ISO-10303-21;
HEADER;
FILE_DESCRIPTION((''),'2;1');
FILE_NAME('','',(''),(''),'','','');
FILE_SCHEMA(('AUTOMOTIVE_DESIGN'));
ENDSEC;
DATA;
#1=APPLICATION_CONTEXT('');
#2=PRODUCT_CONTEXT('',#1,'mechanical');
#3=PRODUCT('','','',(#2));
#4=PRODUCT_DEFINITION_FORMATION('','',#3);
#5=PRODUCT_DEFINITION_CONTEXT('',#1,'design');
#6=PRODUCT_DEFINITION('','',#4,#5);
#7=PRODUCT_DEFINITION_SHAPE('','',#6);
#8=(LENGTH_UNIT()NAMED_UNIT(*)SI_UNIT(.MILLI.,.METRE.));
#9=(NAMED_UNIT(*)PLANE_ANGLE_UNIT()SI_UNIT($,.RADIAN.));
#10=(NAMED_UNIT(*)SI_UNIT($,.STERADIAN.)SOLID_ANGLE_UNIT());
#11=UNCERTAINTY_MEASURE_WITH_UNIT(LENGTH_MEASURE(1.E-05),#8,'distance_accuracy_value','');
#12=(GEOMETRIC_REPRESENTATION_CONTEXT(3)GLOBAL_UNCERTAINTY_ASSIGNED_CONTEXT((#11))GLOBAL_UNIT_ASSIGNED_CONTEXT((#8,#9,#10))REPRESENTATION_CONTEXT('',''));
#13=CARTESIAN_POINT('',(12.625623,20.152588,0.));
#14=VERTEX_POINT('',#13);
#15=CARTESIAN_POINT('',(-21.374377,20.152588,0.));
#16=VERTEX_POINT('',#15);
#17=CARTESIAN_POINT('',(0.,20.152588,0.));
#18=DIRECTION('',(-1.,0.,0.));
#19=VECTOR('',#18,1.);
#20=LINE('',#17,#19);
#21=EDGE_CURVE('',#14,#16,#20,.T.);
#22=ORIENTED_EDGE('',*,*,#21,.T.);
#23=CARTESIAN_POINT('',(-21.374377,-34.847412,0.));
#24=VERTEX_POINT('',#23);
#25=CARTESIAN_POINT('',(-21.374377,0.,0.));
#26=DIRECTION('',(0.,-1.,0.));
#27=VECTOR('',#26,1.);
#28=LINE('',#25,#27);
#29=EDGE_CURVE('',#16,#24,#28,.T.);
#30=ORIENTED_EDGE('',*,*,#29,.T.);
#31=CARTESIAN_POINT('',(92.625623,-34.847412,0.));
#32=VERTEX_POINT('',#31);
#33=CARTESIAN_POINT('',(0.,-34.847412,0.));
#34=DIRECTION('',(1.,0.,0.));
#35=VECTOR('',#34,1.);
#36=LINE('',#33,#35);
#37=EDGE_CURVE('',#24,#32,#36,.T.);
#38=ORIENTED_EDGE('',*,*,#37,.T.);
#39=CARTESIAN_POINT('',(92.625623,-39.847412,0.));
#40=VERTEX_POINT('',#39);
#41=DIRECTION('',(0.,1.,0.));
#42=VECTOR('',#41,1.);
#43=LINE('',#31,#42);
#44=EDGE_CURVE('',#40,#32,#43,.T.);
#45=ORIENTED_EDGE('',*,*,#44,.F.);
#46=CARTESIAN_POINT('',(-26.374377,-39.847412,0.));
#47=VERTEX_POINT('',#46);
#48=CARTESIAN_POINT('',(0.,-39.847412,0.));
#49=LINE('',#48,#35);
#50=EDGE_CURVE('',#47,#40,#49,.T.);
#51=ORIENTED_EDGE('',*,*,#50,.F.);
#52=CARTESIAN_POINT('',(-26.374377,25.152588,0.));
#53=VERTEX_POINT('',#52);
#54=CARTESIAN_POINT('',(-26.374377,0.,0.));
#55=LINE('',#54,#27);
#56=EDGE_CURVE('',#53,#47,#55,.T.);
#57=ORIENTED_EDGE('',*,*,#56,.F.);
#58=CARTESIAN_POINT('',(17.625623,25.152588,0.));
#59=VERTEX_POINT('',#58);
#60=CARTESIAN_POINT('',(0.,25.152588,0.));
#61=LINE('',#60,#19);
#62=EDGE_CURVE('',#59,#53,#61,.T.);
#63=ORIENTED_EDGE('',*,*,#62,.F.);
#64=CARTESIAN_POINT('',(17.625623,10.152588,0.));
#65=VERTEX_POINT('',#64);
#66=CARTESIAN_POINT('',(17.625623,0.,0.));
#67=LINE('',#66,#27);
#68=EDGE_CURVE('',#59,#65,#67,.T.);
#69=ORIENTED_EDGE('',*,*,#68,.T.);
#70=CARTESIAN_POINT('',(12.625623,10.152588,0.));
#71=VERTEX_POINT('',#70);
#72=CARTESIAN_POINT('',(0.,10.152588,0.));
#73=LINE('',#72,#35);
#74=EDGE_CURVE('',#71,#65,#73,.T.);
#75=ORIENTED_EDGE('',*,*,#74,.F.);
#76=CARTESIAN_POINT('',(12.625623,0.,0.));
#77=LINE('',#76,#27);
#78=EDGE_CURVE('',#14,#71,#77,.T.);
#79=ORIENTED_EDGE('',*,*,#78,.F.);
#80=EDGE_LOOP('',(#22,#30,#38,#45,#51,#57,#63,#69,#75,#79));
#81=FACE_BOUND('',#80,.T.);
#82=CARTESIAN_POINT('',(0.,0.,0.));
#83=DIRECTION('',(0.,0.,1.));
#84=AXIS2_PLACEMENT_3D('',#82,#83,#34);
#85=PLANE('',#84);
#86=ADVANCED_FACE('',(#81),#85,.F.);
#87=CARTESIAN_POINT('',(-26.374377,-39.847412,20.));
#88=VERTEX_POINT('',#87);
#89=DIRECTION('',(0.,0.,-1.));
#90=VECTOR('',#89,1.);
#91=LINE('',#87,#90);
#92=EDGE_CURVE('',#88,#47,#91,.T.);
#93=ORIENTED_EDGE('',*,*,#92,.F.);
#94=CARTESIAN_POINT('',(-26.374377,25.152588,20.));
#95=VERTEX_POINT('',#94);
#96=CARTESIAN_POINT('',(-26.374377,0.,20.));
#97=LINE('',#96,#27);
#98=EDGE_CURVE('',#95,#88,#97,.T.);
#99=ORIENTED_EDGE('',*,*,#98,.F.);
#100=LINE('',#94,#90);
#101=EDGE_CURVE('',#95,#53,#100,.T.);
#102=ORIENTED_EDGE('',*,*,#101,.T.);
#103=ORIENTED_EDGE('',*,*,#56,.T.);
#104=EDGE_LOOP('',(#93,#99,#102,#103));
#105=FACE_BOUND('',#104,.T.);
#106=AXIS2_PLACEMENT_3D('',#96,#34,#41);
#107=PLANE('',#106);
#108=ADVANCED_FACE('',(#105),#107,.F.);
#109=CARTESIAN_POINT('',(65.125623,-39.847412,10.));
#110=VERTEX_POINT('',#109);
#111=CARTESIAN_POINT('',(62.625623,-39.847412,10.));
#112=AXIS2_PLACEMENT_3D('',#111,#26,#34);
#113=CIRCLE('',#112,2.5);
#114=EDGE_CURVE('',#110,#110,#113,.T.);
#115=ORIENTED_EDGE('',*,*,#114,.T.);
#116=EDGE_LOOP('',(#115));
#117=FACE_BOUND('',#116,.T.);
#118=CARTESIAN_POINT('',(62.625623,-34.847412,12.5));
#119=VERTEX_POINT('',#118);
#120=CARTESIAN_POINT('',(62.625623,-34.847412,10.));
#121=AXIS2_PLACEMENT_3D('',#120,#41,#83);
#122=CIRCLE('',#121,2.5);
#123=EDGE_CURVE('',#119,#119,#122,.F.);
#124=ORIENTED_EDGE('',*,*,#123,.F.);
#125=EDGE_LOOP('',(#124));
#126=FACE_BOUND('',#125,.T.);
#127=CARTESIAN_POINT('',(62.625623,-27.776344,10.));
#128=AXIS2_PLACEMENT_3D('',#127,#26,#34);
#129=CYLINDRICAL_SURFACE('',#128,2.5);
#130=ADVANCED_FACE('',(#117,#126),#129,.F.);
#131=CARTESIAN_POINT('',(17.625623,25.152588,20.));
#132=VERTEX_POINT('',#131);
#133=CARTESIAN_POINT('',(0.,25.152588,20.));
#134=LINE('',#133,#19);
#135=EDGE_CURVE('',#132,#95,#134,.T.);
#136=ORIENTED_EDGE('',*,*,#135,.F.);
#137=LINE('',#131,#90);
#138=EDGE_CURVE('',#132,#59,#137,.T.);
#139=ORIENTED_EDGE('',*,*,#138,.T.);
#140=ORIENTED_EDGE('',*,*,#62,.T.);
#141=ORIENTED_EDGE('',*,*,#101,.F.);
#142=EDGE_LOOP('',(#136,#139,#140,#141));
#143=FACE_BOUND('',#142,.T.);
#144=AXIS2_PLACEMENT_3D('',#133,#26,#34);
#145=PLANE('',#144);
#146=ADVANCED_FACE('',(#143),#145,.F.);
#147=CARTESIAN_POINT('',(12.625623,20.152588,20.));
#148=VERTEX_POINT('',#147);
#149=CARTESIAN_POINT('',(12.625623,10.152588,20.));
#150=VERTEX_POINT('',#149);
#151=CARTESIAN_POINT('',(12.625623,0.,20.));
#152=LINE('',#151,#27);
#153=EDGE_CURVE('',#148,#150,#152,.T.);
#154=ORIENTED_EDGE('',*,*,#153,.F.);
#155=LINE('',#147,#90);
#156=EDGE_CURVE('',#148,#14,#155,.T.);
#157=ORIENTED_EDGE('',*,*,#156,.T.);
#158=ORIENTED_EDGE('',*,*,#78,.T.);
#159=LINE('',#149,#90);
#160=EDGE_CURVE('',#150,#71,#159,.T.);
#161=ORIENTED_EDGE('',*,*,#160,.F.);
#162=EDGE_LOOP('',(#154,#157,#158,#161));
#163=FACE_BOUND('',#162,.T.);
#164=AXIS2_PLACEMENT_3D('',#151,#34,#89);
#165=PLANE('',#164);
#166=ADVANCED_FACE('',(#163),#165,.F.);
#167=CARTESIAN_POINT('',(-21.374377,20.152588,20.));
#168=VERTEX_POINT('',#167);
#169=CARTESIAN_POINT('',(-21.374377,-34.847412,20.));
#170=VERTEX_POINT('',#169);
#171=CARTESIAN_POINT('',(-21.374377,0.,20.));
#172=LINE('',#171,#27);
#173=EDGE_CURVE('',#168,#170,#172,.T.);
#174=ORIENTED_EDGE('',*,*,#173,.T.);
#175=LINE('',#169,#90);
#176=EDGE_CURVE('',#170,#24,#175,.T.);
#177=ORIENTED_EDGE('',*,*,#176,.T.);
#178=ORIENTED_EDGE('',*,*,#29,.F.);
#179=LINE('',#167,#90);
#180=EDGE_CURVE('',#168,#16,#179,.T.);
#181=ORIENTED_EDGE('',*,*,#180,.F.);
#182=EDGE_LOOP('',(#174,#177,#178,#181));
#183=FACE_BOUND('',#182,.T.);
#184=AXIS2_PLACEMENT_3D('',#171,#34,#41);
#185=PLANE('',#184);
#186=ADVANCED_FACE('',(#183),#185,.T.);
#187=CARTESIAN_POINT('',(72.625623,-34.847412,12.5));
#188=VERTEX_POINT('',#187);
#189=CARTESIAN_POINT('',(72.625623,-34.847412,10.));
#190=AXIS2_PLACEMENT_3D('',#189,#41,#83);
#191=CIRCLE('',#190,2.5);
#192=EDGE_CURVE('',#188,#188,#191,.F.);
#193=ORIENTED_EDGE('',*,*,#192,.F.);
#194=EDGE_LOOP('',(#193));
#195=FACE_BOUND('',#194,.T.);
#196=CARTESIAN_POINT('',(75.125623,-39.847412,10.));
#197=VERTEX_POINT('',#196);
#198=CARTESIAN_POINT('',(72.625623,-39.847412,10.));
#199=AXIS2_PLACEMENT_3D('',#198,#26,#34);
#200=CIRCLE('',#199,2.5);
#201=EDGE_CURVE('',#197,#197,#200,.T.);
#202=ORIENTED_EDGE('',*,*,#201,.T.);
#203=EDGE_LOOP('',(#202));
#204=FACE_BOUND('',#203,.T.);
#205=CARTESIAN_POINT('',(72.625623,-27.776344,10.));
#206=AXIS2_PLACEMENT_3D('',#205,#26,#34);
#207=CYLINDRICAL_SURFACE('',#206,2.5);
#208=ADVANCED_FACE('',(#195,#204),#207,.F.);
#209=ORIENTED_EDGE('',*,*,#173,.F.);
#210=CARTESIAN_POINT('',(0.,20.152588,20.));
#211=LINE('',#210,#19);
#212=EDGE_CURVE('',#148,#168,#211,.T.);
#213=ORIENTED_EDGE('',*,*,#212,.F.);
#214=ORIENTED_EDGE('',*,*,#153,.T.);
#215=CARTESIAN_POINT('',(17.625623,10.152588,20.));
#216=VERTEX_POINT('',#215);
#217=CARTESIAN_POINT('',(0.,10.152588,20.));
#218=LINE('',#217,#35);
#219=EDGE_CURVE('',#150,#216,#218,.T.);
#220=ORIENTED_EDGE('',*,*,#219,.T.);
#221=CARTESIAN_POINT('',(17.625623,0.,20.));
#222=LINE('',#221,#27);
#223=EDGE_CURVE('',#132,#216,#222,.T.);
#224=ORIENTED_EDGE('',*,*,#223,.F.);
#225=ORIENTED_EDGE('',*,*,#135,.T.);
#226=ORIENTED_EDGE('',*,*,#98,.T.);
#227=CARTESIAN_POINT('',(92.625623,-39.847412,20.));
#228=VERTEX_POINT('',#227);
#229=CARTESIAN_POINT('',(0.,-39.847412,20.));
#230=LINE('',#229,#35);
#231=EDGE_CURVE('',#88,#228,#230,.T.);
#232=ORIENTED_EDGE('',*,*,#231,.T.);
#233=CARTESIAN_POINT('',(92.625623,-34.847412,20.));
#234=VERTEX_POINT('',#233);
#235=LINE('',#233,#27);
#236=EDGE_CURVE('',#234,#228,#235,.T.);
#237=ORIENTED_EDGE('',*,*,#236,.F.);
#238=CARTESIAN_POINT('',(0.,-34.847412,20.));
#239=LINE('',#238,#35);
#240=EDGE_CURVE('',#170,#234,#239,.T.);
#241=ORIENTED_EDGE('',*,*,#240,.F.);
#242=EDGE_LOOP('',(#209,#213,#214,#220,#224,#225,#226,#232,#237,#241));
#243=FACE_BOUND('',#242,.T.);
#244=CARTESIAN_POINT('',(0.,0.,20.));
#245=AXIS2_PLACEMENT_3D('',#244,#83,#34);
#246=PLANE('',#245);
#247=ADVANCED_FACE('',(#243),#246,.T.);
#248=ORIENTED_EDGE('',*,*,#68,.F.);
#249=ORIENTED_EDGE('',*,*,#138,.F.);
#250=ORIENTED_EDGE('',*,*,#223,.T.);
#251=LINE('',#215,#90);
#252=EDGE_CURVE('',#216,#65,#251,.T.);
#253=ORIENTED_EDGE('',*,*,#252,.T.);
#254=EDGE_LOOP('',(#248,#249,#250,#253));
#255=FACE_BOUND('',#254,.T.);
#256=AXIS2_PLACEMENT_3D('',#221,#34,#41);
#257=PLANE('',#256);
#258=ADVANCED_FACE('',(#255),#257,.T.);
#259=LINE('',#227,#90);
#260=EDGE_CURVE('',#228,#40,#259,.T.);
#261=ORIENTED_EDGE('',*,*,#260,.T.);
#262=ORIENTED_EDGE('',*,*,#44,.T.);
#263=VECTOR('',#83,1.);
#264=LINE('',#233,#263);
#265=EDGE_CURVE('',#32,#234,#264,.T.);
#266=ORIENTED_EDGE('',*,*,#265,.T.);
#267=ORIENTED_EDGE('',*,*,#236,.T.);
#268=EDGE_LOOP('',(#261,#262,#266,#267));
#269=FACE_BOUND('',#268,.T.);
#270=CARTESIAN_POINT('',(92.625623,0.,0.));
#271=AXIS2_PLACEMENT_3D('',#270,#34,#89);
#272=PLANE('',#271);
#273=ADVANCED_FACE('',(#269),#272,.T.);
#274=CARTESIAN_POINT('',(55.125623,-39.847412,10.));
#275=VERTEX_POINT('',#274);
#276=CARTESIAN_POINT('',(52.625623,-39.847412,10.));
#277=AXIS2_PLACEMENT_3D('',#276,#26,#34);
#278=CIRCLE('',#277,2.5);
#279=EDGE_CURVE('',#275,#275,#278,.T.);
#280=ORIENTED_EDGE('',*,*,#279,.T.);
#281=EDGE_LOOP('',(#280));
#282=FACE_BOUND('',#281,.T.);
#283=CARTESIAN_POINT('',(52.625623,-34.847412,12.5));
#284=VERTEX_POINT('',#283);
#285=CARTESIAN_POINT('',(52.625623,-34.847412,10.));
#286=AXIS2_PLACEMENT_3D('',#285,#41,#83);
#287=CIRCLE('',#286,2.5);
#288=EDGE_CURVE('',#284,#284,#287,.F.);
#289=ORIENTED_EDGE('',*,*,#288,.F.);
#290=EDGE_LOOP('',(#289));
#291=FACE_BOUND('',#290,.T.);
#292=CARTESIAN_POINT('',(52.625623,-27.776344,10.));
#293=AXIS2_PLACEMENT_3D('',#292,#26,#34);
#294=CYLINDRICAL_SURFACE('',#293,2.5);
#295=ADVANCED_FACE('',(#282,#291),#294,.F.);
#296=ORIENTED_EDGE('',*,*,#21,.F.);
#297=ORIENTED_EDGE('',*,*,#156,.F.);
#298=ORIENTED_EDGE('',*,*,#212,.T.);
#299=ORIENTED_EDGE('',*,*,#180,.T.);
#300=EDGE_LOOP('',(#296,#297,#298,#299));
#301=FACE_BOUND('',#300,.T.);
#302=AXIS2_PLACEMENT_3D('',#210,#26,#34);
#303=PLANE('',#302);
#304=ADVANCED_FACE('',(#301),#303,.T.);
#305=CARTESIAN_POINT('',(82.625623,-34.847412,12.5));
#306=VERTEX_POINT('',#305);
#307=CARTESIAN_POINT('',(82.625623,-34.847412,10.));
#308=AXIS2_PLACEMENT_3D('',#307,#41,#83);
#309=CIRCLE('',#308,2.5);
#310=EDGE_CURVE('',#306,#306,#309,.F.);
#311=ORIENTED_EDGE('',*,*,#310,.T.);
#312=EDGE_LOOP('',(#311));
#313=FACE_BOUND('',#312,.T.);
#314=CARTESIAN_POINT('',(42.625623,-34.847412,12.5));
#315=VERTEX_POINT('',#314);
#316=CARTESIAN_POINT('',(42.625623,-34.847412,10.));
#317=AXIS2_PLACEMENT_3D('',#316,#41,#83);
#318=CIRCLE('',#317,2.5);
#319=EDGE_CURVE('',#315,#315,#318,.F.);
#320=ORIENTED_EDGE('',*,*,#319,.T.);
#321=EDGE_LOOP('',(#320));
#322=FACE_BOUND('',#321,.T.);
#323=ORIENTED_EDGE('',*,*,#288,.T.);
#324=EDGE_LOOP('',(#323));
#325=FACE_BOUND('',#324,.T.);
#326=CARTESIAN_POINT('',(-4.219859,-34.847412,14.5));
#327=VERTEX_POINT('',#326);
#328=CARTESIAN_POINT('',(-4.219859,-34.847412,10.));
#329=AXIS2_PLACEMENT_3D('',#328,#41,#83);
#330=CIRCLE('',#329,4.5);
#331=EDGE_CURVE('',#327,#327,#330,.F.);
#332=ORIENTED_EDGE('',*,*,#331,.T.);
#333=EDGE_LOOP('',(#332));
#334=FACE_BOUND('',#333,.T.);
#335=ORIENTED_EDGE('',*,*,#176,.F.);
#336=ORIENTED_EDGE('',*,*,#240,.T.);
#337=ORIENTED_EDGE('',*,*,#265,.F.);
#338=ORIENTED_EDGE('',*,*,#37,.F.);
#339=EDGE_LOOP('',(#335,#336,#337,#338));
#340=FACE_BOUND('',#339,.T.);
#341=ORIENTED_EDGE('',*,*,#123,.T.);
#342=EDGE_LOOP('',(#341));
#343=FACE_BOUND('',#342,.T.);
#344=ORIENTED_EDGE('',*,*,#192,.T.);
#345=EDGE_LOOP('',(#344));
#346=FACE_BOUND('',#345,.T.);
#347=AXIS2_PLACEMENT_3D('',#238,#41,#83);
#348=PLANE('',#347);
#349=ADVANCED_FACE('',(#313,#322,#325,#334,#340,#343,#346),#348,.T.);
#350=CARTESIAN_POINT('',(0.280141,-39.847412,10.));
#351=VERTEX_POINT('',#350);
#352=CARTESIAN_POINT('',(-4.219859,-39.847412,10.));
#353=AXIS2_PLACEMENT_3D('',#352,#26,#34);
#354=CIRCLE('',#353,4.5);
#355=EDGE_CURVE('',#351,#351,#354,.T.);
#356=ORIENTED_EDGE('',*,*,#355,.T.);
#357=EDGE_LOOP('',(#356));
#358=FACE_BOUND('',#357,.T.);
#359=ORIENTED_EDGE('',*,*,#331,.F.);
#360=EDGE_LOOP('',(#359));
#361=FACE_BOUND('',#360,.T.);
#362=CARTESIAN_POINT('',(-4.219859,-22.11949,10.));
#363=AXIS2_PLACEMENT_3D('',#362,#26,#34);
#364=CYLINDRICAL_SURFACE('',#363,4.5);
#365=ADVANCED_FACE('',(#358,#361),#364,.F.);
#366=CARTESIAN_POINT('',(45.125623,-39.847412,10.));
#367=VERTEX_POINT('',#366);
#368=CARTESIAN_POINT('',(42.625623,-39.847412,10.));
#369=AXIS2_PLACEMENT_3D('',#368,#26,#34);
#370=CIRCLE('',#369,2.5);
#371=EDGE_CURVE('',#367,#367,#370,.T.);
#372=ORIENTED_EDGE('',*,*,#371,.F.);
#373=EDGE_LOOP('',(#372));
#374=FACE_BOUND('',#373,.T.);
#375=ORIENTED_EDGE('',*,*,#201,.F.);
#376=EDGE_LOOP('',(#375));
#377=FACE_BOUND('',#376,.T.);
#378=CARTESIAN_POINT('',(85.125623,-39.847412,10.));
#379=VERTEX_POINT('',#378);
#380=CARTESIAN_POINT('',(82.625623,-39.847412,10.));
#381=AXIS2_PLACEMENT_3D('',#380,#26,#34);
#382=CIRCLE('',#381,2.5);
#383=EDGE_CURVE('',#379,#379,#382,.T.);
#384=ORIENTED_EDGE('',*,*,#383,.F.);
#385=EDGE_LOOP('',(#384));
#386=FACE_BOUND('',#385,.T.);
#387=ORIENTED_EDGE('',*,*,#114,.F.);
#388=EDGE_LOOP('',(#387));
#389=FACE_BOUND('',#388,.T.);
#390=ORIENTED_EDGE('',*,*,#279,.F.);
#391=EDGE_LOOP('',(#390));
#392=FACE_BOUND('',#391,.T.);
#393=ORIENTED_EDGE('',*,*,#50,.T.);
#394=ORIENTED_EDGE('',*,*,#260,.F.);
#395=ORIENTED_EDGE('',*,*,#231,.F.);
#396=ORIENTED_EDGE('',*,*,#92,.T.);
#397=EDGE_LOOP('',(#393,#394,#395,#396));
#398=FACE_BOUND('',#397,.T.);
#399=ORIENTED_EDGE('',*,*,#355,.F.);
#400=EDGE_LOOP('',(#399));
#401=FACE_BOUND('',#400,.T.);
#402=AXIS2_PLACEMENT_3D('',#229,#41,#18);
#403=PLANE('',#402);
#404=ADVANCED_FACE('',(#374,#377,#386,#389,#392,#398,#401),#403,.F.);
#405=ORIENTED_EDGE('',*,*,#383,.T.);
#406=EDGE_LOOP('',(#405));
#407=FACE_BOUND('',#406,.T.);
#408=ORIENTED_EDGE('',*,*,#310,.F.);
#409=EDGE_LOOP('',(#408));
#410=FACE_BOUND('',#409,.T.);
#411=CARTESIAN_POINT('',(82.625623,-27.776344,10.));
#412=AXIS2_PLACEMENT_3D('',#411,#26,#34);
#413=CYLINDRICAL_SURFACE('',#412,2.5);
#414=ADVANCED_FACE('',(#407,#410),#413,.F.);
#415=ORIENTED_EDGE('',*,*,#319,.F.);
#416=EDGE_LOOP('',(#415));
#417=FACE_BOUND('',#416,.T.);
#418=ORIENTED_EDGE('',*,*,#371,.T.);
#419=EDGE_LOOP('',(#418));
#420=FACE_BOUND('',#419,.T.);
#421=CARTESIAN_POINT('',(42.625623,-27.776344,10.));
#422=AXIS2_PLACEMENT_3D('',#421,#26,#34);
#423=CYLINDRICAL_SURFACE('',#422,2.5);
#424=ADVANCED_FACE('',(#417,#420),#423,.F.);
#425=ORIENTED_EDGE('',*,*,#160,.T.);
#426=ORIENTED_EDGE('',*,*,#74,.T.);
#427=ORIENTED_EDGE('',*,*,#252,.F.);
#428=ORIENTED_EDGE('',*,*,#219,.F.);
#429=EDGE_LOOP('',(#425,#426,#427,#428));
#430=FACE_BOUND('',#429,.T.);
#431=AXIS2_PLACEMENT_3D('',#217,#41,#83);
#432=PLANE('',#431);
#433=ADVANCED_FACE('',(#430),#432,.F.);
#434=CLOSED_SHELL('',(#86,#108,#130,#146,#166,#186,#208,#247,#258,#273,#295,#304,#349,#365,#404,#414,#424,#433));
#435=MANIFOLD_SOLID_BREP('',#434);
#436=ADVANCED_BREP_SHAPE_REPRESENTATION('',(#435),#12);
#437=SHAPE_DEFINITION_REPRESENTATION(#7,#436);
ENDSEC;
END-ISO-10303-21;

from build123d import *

# Parameters (mm, degrees)
ESQUISSE1_W             = 34
ESQUISSE1_H             = 5
BOSS_EXTRU_1_DEPTH      = 20
ESQUISSE2_R             = 4.5
ENL_V_MAT_EXTRU_1_DEPTH = 5
ESQUISSE5_W             = 20
ESQUISSE5_H             = 5
BOSS_EXTRU_2_DEPTH      = 80
ESQUISSE6_R             = 2.5
ENL_V_MAT_EXTRU_2_DEPTH = 5


with BuildPart() as part:
    # Esquisse1 → Boss.-Extru.1 (new body)
    with BuildSketch(Plane.XY):
        Polygon((-21.374377126, 20.152588272), (-21.374377126, 25.152588272), (-26.374377126, 25.152588272), (-26.374377126, -34.847411728), (-21.374377126, -34.847411728), align=None)
        with Locations((-4.374377126, 22.652588272)):
            Rectangle(ESQUISSE1_W, ESQUISSE1_H)
        Polygon((17.625622874, 25.152588272), (12.625622874, 25.152588272), (12.625622874, 20.152588272), (12.625622874, 10.152588272), (17.625622874, 10.152588272), align=None)
        Polygon((12.625622874, -34.847411728), (-21.374377126, -34.847411728), (-26.374377126, -34.847411728), (-26.374377126, -39.847411728), (12.625622874, -39.847411728), align=None)
    extrude(amount=BOSS_EXTRU_1_DEPTH)

    # Esquisse2 → Enlèv. mat.-Extru.1 (cut)
    with BuildSketch(Plane.XZ.offset(39.847411728)):
        with Locations((-4.219859272, 10)):
            Circle(ESQUISSE2_R)
    extrude(amount=-ENL_V_MAT_EXTRU_1_DEPTH, mode=Mode.SUBTRACT)

    # Esquisse5 → Boss.-Extru.2 (add)
    with BuildSketch(Plane(origin=(12.625622874, 0, 0), x_dir=(0, 0, -1), z_dir=(1, 0, 0))):
        with Locations((-10, -37.347411728)):
            Rectangle(ESQUISSE5_W, ESQUISSE5_H)
    extrude(amount=BOSS_EXTRU_2_DEPTH)

    # Esquisse6 → Enlèv. mat.-Extru.2 (cut)
    with BuildSketch(Plane.XZ.offset(39.847411728)):
        with Locations((82.625622874, 10)):
            Circle(ESQUISSE6_R)
        with Locations((72.625622874, 10)):
            Circle(ESQUISSE6_R)
        with Locations((62.625622874, 10)):
            Circle(ESQUISSE6_R)
        with Locations((52.625622874, 10)):
            Circle(ESQUISSE6_R)
        with Locations((42.625622874, 10)):
            Circle(ESQUISSE6_R)
    extrude(amount=-ENL_V_MAT_EXTRU_2_DEPTH, mode=Mode.SUBTRACT)


solid = part.part
